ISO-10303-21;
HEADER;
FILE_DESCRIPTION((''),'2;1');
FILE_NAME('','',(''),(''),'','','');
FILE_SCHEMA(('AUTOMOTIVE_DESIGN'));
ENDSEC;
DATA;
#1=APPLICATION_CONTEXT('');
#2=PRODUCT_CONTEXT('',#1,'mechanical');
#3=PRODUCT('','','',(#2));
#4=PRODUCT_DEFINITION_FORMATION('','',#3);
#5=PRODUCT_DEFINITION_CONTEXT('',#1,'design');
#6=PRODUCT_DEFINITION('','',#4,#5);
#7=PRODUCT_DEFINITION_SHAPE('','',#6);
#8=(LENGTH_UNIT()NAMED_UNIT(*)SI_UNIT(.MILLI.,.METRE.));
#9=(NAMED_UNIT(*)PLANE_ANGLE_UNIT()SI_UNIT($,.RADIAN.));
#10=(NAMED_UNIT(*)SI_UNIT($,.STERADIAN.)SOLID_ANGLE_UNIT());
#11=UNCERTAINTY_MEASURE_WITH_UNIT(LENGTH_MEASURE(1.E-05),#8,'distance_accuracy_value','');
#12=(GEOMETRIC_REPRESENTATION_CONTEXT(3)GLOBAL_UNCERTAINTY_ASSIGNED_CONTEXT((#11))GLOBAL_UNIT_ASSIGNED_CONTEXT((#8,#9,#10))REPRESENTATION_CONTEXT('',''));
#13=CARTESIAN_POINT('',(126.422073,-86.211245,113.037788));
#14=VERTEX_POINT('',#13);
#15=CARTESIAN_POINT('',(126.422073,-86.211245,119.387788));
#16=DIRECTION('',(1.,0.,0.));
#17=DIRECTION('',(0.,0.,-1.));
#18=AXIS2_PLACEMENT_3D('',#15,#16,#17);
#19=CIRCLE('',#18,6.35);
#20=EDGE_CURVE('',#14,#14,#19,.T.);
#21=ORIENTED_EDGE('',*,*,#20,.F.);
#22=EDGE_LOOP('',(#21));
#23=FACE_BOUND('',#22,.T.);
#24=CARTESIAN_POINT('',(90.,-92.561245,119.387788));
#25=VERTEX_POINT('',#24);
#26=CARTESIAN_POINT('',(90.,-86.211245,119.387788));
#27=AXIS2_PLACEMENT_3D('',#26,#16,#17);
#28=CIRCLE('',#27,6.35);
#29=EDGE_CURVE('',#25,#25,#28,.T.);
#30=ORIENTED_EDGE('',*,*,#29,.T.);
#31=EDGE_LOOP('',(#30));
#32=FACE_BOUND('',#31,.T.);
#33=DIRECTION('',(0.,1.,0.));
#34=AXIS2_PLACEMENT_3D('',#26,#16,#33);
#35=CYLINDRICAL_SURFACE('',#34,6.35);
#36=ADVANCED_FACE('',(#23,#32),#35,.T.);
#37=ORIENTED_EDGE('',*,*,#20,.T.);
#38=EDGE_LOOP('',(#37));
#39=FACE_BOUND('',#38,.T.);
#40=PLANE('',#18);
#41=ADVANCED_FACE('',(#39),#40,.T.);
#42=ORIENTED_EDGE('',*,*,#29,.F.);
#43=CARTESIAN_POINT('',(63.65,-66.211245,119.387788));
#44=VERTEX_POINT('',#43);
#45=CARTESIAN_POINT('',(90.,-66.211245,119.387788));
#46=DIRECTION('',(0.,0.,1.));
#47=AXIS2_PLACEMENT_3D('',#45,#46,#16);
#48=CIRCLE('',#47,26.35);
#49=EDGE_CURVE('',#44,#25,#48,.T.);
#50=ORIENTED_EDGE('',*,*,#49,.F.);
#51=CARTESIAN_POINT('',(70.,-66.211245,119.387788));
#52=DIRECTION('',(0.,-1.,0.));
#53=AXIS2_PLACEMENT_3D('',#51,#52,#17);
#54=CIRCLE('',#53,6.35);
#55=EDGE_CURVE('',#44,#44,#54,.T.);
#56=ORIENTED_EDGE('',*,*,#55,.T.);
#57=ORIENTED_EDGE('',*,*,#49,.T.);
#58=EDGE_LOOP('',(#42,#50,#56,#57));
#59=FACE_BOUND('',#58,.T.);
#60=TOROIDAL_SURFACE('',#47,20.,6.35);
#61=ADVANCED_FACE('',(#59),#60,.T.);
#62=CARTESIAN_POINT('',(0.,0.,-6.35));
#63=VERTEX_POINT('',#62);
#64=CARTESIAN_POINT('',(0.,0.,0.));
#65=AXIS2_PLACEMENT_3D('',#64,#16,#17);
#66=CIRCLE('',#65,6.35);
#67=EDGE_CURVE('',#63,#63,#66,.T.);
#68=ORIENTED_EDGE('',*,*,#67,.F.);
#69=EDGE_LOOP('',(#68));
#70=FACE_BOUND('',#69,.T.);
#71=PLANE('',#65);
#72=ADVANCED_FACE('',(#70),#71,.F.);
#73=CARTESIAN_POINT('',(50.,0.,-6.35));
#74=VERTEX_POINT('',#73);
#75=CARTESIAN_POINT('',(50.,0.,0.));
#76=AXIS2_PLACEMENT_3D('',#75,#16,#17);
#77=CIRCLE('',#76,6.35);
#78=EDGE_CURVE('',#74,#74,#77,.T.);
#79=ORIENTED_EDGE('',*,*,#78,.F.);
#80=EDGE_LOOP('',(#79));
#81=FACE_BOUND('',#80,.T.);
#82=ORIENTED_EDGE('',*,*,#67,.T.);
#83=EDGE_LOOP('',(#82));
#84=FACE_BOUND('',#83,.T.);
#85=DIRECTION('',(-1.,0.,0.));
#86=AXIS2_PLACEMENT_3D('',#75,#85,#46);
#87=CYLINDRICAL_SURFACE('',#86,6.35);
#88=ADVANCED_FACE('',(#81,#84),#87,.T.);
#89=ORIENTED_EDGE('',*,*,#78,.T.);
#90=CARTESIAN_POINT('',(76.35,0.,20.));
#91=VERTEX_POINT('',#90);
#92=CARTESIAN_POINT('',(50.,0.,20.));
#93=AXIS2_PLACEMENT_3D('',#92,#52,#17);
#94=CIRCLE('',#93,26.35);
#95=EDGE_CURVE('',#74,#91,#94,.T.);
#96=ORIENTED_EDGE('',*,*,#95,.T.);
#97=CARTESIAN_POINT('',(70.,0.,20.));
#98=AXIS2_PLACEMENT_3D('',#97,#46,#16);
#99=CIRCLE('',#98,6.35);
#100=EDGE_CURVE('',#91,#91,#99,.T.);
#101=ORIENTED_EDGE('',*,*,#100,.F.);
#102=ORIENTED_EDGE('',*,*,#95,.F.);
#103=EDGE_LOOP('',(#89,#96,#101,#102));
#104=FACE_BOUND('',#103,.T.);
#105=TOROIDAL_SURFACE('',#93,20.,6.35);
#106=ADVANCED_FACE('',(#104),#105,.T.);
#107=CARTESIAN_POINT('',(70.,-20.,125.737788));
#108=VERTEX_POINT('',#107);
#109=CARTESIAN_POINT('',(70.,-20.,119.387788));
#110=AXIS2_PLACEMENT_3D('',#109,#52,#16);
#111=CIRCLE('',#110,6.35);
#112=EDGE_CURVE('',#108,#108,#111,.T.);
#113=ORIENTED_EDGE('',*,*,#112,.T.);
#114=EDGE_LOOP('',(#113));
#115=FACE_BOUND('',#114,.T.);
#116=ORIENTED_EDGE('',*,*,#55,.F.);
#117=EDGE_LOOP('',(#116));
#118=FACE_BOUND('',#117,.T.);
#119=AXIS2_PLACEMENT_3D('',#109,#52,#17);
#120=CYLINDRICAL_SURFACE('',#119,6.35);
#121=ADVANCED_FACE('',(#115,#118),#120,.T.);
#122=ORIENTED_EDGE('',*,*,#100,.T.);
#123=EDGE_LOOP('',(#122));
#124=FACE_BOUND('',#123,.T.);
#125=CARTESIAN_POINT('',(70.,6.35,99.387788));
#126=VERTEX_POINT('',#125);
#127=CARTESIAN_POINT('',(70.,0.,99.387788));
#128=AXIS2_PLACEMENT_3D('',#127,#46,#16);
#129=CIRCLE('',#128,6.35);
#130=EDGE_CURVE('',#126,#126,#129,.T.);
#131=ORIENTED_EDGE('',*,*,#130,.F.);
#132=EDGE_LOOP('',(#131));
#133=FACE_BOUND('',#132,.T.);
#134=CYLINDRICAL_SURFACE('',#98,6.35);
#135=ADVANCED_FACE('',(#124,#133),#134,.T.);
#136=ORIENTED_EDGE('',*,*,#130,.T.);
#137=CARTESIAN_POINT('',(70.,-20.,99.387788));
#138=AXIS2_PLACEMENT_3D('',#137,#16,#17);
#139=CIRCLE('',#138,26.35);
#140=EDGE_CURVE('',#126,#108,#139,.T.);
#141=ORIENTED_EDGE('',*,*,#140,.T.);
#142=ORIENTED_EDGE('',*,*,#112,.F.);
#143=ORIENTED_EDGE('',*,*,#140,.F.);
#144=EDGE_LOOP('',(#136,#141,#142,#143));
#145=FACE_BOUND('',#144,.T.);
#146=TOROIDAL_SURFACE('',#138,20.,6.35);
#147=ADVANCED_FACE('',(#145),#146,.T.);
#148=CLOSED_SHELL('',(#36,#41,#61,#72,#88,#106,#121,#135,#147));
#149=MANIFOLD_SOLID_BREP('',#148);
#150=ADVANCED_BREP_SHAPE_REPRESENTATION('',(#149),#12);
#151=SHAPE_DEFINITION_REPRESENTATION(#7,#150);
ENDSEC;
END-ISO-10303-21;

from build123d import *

# Parameters (mm, degrees)
CROQUIS2_R = 6.35
CROQUIS7_R = 6.35
CROQUIS8_R = 6.35


with BuildPart() as part:
    # Barrer2: sweep along a path in Croquis1
    with BuildLine(Plane(origin=(0, 0, 0), x_dir=(1, 0, 0), z_dir=(0, 1, 0))) as barrer2_path:
        Line((0, 0), (50, 0))
        ThreePointArc((50, 0), (64.142135624, -5.857864376), (70, -20))
        Line((70, -20), (70, -70))
    # Croquis2 → Barrer2 (sweep)
    with BuildSketch(Plane(origin=(0, 0, 0), x_dir=(0, 0, -1), z_dir=(1, 0, 0))):
        Circle(CROQUIS2_R)
    sweep(path=barrer2_path.line)

    # Barrer3: sweep along a path in Croquis3
    with BuildLine(Plane(origin=(70, 0, 0), x_dir=(0, 0, -1), z_dir=(1, 0, 0))) as barrer3_path:
        Line((-70, 0), (-99.387787897, 0))
        ThreePointArc((-99.387787897, 0), (-113.529923521, -5.857864376), (-119.387787897, -20))
        Line((-119.387787897, -20), (-119.387787897, -40.166140684))
        Line((-119.387787897, -40.166140684), (-119.387787897, -49.955998728))
    # Croquis7 → Barrer3 (sweep)
    with BuildSketch(Plane.XY.offset(70)):
        with Locations((70, 0)):
            Circle(CROQUIS7_R)
    sweep(path=barrer3_path.line)

    # Barrer4: sweep along a path in Croquis5
    with BuildLine(Plane.XY.offset(119.387787897)) as barrer4_path:
        Line((70, -49.842890924), (70, -66.211244979))
        ThreePointArc((70, -66.211244979), (75.857864376, -80.353380602), (90, -86.211244979))
        Line((90, -86.211244979), (126.42207306, -86.211244979))
    # Croquis8 → Barrer4 (sweep)
    with BuildSketch(Plane.XZ.offset(49.955998728)):
        with Locations((70, 119.387787897)):
            Circle(CROQUIS8_R)
    sweep(path=barrer4_path.line)


solid = part.part
